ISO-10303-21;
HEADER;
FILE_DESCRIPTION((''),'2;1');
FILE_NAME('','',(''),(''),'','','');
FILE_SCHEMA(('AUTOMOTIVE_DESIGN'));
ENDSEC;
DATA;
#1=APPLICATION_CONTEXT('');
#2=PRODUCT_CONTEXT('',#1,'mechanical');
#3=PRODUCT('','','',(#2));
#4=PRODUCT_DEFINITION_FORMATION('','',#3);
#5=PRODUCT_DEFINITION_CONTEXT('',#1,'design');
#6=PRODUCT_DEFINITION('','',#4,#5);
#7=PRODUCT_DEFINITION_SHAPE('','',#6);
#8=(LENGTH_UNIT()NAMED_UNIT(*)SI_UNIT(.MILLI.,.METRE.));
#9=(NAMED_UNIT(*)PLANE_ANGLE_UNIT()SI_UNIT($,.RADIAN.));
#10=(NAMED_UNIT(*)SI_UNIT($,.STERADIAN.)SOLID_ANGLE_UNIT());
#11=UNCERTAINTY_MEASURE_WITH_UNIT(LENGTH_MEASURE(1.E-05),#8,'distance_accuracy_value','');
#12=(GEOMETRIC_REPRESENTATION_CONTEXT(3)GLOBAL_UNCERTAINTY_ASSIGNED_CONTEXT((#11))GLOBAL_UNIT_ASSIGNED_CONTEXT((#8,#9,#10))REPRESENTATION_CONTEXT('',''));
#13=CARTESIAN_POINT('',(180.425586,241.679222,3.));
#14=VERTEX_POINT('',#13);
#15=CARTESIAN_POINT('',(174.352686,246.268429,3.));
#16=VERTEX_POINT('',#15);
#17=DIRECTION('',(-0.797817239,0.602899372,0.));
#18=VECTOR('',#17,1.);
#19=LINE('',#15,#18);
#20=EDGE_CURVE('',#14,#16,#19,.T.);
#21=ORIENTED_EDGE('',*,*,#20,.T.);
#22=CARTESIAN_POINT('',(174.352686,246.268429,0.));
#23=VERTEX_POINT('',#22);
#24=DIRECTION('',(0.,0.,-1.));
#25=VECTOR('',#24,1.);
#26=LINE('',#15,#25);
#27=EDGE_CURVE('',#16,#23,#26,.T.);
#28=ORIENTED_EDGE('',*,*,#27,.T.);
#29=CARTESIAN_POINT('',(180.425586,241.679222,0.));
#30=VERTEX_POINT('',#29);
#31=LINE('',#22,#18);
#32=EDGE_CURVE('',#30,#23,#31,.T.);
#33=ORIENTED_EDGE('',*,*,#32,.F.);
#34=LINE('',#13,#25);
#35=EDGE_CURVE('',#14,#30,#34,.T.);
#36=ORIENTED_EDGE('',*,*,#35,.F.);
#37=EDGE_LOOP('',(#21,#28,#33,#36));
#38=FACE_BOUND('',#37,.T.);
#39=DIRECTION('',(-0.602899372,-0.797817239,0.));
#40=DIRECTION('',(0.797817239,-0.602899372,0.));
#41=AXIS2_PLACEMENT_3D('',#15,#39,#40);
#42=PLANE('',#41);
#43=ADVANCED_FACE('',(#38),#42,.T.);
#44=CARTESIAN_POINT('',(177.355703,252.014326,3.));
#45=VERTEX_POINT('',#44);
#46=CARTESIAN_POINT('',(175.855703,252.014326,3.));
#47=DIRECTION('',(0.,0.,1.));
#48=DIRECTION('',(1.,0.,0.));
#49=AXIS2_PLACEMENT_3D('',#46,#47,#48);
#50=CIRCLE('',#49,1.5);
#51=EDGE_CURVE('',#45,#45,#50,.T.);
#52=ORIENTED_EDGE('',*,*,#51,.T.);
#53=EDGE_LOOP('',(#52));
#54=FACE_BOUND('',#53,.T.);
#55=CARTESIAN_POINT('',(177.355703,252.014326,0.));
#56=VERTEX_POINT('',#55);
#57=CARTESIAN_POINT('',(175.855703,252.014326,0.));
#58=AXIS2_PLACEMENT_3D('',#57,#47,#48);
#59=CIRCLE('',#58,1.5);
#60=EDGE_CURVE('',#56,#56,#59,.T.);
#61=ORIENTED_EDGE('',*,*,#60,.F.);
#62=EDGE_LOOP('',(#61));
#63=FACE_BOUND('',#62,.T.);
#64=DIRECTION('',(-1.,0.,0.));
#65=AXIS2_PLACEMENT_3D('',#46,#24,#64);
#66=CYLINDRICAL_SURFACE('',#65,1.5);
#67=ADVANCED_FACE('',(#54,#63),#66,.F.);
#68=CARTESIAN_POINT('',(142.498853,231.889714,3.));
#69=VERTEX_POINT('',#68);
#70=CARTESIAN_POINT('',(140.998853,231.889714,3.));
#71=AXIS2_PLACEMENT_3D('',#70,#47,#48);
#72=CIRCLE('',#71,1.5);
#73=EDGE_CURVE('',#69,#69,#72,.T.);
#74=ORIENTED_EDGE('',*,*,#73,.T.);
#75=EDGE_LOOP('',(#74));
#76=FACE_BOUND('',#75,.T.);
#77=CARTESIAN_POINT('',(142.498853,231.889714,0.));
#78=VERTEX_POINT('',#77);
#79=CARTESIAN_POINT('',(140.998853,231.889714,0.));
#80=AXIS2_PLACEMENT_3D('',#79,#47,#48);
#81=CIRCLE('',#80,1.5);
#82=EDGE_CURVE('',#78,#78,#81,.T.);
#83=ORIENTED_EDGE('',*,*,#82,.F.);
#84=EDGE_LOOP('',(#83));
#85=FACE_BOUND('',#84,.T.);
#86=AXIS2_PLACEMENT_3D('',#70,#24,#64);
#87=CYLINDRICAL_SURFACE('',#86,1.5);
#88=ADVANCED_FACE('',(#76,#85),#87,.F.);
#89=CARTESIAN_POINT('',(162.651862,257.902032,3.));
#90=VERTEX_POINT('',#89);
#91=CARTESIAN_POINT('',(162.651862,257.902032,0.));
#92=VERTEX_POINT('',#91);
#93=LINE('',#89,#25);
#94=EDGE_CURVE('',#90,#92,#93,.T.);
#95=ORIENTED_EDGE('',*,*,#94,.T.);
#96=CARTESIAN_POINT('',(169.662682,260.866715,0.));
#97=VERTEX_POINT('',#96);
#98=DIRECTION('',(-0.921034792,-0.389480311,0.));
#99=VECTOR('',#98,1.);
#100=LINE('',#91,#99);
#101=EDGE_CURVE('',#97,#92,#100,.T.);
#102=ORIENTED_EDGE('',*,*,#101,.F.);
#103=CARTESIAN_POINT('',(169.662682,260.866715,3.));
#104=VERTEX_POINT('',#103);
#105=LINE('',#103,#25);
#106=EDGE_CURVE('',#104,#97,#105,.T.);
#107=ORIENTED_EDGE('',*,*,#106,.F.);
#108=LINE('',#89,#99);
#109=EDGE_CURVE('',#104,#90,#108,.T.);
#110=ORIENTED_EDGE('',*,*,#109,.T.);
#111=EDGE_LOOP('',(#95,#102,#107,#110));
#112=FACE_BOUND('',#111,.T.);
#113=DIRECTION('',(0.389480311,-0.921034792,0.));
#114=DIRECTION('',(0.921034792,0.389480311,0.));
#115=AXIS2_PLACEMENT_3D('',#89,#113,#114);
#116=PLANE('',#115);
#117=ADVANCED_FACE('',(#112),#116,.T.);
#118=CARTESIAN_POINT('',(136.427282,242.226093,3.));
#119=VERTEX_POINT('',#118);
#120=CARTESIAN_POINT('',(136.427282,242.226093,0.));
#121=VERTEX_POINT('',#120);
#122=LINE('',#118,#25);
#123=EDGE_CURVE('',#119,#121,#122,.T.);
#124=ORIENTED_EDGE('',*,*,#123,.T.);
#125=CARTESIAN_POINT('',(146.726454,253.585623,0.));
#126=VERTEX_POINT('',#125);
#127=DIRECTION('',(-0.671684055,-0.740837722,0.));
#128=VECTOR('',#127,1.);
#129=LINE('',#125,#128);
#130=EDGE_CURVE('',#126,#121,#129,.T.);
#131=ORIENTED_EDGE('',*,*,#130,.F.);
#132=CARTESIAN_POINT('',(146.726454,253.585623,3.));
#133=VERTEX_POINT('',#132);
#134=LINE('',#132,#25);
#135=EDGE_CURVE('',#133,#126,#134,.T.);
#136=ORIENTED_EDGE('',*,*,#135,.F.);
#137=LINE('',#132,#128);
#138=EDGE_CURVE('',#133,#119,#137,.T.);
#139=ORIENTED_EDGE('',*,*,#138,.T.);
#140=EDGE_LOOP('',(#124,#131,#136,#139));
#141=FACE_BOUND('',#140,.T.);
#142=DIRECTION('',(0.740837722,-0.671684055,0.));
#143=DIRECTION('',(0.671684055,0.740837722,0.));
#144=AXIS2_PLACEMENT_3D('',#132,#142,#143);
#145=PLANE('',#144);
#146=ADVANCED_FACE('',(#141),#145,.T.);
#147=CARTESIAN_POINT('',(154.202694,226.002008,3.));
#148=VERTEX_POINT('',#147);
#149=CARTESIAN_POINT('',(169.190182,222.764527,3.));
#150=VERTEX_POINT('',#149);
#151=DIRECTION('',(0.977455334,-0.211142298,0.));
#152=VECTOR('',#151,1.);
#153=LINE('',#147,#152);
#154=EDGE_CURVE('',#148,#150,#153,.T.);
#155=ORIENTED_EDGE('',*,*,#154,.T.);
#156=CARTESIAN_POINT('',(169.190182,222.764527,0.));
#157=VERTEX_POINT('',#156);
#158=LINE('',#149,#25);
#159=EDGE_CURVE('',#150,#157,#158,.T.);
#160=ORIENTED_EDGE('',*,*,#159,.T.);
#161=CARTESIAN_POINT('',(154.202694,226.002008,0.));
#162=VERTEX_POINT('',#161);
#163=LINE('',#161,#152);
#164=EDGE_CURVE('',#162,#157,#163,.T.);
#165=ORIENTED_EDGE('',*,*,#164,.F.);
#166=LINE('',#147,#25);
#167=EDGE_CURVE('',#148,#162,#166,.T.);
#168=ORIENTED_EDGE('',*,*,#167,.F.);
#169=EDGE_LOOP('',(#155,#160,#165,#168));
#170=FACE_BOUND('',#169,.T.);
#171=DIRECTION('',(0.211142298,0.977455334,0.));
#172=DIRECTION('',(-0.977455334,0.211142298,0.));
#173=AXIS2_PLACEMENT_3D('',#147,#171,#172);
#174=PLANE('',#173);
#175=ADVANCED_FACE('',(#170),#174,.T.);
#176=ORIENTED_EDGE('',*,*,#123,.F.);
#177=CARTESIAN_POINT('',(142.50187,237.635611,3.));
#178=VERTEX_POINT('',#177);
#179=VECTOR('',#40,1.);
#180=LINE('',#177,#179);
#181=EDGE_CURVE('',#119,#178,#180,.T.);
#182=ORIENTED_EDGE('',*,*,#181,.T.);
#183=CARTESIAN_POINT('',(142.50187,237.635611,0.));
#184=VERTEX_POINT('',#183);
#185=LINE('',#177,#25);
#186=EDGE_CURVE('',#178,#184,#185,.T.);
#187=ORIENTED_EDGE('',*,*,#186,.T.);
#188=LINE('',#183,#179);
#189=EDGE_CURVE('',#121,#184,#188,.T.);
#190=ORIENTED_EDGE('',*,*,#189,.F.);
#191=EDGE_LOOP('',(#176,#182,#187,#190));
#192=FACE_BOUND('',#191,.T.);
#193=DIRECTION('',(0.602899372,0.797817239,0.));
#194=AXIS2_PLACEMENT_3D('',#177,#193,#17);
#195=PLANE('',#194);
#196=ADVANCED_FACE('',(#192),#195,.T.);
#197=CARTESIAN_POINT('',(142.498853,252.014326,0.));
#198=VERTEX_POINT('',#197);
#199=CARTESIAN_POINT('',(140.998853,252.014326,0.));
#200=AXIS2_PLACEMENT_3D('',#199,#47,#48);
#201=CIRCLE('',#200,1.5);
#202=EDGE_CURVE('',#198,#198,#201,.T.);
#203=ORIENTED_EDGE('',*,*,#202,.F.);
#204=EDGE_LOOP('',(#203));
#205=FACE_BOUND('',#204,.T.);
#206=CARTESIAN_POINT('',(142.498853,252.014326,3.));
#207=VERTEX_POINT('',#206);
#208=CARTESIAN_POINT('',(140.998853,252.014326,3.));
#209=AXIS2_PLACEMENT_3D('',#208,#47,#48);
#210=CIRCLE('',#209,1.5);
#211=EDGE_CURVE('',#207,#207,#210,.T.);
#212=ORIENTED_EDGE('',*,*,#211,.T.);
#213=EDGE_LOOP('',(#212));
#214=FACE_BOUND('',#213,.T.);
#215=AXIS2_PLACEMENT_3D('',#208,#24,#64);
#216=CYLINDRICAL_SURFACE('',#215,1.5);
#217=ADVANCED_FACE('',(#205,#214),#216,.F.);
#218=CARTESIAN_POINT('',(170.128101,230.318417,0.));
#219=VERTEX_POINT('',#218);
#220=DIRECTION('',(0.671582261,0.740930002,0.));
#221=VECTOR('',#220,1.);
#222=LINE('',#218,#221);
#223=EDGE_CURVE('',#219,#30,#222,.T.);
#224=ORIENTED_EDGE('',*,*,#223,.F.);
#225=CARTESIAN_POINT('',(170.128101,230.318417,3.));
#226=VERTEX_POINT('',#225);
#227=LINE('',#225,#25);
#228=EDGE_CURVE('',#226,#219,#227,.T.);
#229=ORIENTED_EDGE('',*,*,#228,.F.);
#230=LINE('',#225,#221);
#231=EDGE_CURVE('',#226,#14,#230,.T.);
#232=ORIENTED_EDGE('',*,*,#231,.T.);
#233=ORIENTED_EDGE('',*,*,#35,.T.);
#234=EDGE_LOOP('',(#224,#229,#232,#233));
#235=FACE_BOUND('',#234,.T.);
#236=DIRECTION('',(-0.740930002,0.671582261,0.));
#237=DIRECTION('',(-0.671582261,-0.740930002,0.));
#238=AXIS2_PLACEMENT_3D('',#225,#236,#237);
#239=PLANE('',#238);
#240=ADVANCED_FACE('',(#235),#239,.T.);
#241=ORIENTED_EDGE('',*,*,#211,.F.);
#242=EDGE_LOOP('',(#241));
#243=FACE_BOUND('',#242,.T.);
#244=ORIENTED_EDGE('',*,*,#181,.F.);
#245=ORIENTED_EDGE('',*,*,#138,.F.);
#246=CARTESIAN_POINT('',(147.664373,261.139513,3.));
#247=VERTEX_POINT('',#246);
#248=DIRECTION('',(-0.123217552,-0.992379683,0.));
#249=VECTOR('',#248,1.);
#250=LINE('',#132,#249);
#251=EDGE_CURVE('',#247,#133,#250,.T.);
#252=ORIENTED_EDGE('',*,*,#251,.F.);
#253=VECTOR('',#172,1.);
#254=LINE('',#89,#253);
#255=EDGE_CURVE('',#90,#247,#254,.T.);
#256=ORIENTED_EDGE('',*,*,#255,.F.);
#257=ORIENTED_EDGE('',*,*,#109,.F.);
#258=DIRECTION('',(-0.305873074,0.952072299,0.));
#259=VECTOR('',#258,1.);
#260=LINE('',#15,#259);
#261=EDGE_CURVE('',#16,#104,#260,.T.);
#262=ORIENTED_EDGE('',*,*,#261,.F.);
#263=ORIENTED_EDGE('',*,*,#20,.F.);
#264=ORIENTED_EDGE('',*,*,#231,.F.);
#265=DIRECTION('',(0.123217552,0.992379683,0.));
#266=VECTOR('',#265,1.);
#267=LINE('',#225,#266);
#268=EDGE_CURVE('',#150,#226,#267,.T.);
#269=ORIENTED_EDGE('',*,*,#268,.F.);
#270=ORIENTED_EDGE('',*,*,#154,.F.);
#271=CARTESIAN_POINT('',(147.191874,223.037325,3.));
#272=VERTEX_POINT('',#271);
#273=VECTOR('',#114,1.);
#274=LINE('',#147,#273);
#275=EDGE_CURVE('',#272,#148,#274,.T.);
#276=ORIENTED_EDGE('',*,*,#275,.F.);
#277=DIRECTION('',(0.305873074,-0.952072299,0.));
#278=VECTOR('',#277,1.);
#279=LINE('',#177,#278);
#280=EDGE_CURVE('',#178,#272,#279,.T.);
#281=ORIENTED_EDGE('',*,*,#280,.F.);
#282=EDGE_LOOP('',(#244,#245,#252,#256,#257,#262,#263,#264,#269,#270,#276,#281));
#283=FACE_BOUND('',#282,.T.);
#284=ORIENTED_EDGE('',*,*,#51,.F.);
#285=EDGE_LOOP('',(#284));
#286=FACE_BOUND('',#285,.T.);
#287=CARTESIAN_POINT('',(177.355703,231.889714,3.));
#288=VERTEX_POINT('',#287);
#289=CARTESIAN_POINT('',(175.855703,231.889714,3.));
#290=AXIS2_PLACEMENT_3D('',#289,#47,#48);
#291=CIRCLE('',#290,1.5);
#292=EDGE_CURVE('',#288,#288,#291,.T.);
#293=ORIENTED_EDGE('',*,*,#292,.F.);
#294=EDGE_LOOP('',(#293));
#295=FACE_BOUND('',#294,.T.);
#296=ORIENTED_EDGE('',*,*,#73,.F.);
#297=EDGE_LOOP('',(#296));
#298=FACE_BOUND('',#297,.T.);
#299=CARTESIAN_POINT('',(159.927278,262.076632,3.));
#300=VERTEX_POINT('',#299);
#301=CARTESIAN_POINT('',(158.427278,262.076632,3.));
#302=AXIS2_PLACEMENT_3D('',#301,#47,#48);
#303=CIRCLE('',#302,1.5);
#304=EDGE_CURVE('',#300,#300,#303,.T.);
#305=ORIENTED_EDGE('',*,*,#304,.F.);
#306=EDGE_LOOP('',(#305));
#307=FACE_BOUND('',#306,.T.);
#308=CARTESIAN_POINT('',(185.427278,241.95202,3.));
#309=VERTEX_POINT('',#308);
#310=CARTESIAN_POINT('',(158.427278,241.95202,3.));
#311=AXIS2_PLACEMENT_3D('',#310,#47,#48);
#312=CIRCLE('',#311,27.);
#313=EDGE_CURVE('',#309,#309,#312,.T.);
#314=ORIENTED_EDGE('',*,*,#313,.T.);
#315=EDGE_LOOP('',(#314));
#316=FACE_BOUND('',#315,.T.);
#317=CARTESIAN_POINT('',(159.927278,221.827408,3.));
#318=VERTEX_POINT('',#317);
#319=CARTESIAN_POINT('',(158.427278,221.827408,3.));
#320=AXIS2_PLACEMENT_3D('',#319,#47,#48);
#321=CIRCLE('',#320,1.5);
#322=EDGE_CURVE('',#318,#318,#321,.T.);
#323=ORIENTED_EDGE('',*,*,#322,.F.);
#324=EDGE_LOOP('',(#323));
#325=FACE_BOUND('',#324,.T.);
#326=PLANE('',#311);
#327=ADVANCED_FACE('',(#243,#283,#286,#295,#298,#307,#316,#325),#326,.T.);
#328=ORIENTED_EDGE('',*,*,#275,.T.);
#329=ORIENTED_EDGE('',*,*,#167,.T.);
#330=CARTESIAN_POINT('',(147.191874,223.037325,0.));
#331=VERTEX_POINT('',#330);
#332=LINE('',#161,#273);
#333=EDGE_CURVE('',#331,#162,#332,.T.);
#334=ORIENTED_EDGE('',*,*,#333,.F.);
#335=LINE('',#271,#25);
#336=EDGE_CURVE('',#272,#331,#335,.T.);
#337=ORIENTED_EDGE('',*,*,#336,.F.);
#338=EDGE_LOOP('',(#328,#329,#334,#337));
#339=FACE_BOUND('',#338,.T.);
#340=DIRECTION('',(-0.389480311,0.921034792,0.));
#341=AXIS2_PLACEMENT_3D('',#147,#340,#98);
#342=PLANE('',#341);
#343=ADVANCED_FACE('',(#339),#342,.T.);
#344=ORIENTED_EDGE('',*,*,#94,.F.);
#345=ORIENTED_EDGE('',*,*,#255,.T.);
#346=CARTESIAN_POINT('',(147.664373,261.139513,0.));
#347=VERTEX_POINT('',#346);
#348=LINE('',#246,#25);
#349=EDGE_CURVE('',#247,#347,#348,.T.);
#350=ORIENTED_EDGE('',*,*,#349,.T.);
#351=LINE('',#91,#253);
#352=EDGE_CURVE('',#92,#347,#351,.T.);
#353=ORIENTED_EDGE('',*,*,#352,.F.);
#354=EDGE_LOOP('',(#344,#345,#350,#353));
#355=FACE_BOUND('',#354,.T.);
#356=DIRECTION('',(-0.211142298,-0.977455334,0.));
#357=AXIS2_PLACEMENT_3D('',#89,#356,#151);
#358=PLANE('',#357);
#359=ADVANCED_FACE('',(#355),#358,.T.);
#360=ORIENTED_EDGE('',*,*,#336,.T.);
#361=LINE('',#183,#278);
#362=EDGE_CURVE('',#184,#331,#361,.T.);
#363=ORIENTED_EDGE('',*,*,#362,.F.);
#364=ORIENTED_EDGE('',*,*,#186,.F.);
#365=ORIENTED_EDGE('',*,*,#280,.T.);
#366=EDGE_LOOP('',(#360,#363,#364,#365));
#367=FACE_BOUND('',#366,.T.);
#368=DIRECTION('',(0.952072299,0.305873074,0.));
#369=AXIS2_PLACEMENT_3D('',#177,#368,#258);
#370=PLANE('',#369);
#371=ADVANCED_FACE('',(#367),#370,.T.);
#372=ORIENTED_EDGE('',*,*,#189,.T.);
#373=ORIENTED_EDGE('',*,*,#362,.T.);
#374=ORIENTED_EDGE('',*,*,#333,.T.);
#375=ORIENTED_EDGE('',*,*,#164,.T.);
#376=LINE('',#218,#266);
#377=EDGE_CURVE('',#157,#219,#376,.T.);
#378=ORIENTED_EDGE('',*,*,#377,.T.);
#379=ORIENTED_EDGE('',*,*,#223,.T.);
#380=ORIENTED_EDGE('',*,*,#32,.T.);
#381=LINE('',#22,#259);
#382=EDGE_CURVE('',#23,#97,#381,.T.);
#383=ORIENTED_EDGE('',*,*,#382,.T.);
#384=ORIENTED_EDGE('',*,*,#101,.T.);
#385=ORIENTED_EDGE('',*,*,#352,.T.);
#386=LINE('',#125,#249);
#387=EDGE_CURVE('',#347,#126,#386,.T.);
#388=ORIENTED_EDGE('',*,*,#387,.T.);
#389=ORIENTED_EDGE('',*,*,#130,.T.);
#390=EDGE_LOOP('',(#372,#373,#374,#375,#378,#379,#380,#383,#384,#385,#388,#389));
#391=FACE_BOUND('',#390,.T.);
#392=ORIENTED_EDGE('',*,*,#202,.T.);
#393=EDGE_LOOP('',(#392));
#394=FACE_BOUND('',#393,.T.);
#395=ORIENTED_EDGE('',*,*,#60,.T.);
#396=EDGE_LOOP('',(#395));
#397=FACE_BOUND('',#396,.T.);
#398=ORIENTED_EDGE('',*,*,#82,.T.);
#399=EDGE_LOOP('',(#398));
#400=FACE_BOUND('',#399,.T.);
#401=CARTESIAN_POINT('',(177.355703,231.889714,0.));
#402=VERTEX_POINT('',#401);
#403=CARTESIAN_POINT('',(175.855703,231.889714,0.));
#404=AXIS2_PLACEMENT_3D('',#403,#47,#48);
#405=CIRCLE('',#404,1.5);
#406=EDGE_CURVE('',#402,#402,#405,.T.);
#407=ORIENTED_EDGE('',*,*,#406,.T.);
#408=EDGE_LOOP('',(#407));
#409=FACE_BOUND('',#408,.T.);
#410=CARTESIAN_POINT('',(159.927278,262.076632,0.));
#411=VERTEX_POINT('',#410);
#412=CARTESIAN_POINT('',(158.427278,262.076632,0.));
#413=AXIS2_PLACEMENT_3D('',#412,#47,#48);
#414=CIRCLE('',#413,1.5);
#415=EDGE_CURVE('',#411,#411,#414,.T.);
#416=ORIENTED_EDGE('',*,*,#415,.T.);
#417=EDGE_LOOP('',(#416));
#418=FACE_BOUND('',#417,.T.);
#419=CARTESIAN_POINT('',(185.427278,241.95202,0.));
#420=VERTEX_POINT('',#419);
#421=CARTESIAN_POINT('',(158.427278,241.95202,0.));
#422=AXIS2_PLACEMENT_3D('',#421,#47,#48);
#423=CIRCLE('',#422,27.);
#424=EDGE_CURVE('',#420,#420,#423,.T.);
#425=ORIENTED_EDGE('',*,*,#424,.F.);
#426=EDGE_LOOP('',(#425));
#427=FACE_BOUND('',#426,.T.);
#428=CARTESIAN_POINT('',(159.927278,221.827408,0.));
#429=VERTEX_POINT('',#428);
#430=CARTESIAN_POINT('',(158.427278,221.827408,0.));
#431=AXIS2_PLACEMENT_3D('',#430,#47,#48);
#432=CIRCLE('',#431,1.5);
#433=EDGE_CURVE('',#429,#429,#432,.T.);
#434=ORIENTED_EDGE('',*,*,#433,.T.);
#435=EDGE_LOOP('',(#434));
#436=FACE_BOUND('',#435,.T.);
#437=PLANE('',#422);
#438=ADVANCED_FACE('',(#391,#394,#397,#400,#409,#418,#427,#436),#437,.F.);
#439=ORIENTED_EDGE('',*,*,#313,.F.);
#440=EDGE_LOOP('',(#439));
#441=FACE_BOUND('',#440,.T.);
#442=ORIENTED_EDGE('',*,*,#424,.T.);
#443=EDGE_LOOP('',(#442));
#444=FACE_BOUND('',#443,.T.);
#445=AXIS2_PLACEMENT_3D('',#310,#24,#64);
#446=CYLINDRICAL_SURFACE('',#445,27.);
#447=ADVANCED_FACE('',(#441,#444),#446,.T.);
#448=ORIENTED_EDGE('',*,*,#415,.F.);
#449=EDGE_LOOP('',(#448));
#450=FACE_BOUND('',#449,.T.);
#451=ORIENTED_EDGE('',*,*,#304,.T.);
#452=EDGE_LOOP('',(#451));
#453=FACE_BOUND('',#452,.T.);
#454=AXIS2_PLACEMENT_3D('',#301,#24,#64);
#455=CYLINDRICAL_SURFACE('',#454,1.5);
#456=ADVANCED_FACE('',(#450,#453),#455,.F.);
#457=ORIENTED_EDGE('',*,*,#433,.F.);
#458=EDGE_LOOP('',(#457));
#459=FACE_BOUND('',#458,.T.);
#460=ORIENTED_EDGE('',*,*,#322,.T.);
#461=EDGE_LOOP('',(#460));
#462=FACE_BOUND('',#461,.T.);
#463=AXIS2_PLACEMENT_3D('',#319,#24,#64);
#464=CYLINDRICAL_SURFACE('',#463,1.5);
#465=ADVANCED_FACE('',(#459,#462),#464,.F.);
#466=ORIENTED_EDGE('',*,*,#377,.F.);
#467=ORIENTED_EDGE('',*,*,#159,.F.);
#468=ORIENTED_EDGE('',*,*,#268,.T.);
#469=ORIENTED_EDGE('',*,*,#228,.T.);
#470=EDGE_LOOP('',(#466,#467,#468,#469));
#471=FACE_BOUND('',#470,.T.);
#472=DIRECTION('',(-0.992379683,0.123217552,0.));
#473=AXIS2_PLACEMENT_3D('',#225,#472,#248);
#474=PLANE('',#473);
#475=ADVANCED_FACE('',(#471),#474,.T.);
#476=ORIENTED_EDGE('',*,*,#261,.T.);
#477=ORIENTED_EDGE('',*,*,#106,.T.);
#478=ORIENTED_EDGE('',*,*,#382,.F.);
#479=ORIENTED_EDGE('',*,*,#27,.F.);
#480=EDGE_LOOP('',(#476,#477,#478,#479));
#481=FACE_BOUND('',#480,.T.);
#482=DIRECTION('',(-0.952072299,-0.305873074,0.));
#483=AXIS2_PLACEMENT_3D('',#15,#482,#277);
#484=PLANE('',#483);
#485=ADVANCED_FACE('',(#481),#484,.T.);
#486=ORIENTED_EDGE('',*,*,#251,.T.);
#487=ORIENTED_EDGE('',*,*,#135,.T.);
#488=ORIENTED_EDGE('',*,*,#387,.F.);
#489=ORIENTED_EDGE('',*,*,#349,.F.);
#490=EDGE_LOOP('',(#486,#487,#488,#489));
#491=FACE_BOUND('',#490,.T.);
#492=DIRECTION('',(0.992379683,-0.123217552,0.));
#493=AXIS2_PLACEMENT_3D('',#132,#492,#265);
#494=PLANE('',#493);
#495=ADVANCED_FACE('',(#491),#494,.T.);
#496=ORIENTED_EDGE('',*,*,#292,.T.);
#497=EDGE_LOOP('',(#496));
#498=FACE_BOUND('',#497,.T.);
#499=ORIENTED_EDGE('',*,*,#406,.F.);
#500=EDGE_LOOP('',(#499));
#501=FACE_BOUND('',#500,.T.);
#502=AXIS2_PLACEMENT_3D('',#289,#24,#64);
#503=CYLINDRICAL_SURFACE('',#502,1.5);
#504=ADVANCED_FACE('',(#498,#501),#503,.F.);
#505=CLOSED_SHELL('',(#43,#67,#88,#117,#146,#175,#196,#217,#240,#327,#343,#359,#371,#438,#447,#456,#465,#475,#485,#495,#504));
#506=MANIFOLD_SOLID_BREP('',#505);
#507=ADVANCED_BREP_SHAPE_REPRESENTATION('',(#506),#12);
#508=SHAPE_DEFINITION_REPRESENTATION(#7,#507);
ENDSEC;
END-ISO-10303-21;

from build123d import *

# Parameters (mm, degrees)
MODEL_R                 = 27
MODEL_R_2               = 1.5
SALIENTE_EXTRUIR1_DEPTH = 3


with BuildPart() as part:
    # Model → Saliente-Extruir1 (new body)
    with BuildSketch(Plane.XY):
        with Locations((158.427277744, 241.952019993)):
            Circle(MODEL_R)
        with Locations((158.427277744, 262.076631791)):
            Circle(MODEL_R_2, mode=Mode.SUBTRACT)
        with Locations((140.998852686, 252.014325892)):
            Circle(MODEL_R_2, mode=Mode.SUBTRACT)
        with Locations((140.998852686, 231.889714094)):
            Circle(MODEL_R_2, mode=Mode.SUBTRACT)
        with Locations((158.427277744, 221.827408196)):
            Circle(MODEL_R_2, mode=Mode.SUBTRACT)
        with Locations((175.855702802, 231.889714094)):
            Circle(MODEL_R_2, mode=Mode.SUBTRACT)
        with Locations((175.855702802, 252.014325892)):
            Circle(MODEL_R_2, mode=Mode.SUBTRACT)
        Polygon((174.352685576, 246.268428845), (180.425586348, 241.679222344), (170.128101379, 230.318416671), (169.190182352, 222.764527077), (154.202693546, 226.002007819), (147.191873748, 223.037324726), (142.501869912, 237.635611142), (136.427281639, 242.226092863), (146.726454109, 253.585623316), (147.664373136, 261.139512909), (162.651861941, 257.902032168), (169.66268174, 260.86671526), align=None, mode=Mode.SUBTRACT)
    extrude(amount=SALIENTE_EXTRUIR1_DEPTH)


solid = part.part
